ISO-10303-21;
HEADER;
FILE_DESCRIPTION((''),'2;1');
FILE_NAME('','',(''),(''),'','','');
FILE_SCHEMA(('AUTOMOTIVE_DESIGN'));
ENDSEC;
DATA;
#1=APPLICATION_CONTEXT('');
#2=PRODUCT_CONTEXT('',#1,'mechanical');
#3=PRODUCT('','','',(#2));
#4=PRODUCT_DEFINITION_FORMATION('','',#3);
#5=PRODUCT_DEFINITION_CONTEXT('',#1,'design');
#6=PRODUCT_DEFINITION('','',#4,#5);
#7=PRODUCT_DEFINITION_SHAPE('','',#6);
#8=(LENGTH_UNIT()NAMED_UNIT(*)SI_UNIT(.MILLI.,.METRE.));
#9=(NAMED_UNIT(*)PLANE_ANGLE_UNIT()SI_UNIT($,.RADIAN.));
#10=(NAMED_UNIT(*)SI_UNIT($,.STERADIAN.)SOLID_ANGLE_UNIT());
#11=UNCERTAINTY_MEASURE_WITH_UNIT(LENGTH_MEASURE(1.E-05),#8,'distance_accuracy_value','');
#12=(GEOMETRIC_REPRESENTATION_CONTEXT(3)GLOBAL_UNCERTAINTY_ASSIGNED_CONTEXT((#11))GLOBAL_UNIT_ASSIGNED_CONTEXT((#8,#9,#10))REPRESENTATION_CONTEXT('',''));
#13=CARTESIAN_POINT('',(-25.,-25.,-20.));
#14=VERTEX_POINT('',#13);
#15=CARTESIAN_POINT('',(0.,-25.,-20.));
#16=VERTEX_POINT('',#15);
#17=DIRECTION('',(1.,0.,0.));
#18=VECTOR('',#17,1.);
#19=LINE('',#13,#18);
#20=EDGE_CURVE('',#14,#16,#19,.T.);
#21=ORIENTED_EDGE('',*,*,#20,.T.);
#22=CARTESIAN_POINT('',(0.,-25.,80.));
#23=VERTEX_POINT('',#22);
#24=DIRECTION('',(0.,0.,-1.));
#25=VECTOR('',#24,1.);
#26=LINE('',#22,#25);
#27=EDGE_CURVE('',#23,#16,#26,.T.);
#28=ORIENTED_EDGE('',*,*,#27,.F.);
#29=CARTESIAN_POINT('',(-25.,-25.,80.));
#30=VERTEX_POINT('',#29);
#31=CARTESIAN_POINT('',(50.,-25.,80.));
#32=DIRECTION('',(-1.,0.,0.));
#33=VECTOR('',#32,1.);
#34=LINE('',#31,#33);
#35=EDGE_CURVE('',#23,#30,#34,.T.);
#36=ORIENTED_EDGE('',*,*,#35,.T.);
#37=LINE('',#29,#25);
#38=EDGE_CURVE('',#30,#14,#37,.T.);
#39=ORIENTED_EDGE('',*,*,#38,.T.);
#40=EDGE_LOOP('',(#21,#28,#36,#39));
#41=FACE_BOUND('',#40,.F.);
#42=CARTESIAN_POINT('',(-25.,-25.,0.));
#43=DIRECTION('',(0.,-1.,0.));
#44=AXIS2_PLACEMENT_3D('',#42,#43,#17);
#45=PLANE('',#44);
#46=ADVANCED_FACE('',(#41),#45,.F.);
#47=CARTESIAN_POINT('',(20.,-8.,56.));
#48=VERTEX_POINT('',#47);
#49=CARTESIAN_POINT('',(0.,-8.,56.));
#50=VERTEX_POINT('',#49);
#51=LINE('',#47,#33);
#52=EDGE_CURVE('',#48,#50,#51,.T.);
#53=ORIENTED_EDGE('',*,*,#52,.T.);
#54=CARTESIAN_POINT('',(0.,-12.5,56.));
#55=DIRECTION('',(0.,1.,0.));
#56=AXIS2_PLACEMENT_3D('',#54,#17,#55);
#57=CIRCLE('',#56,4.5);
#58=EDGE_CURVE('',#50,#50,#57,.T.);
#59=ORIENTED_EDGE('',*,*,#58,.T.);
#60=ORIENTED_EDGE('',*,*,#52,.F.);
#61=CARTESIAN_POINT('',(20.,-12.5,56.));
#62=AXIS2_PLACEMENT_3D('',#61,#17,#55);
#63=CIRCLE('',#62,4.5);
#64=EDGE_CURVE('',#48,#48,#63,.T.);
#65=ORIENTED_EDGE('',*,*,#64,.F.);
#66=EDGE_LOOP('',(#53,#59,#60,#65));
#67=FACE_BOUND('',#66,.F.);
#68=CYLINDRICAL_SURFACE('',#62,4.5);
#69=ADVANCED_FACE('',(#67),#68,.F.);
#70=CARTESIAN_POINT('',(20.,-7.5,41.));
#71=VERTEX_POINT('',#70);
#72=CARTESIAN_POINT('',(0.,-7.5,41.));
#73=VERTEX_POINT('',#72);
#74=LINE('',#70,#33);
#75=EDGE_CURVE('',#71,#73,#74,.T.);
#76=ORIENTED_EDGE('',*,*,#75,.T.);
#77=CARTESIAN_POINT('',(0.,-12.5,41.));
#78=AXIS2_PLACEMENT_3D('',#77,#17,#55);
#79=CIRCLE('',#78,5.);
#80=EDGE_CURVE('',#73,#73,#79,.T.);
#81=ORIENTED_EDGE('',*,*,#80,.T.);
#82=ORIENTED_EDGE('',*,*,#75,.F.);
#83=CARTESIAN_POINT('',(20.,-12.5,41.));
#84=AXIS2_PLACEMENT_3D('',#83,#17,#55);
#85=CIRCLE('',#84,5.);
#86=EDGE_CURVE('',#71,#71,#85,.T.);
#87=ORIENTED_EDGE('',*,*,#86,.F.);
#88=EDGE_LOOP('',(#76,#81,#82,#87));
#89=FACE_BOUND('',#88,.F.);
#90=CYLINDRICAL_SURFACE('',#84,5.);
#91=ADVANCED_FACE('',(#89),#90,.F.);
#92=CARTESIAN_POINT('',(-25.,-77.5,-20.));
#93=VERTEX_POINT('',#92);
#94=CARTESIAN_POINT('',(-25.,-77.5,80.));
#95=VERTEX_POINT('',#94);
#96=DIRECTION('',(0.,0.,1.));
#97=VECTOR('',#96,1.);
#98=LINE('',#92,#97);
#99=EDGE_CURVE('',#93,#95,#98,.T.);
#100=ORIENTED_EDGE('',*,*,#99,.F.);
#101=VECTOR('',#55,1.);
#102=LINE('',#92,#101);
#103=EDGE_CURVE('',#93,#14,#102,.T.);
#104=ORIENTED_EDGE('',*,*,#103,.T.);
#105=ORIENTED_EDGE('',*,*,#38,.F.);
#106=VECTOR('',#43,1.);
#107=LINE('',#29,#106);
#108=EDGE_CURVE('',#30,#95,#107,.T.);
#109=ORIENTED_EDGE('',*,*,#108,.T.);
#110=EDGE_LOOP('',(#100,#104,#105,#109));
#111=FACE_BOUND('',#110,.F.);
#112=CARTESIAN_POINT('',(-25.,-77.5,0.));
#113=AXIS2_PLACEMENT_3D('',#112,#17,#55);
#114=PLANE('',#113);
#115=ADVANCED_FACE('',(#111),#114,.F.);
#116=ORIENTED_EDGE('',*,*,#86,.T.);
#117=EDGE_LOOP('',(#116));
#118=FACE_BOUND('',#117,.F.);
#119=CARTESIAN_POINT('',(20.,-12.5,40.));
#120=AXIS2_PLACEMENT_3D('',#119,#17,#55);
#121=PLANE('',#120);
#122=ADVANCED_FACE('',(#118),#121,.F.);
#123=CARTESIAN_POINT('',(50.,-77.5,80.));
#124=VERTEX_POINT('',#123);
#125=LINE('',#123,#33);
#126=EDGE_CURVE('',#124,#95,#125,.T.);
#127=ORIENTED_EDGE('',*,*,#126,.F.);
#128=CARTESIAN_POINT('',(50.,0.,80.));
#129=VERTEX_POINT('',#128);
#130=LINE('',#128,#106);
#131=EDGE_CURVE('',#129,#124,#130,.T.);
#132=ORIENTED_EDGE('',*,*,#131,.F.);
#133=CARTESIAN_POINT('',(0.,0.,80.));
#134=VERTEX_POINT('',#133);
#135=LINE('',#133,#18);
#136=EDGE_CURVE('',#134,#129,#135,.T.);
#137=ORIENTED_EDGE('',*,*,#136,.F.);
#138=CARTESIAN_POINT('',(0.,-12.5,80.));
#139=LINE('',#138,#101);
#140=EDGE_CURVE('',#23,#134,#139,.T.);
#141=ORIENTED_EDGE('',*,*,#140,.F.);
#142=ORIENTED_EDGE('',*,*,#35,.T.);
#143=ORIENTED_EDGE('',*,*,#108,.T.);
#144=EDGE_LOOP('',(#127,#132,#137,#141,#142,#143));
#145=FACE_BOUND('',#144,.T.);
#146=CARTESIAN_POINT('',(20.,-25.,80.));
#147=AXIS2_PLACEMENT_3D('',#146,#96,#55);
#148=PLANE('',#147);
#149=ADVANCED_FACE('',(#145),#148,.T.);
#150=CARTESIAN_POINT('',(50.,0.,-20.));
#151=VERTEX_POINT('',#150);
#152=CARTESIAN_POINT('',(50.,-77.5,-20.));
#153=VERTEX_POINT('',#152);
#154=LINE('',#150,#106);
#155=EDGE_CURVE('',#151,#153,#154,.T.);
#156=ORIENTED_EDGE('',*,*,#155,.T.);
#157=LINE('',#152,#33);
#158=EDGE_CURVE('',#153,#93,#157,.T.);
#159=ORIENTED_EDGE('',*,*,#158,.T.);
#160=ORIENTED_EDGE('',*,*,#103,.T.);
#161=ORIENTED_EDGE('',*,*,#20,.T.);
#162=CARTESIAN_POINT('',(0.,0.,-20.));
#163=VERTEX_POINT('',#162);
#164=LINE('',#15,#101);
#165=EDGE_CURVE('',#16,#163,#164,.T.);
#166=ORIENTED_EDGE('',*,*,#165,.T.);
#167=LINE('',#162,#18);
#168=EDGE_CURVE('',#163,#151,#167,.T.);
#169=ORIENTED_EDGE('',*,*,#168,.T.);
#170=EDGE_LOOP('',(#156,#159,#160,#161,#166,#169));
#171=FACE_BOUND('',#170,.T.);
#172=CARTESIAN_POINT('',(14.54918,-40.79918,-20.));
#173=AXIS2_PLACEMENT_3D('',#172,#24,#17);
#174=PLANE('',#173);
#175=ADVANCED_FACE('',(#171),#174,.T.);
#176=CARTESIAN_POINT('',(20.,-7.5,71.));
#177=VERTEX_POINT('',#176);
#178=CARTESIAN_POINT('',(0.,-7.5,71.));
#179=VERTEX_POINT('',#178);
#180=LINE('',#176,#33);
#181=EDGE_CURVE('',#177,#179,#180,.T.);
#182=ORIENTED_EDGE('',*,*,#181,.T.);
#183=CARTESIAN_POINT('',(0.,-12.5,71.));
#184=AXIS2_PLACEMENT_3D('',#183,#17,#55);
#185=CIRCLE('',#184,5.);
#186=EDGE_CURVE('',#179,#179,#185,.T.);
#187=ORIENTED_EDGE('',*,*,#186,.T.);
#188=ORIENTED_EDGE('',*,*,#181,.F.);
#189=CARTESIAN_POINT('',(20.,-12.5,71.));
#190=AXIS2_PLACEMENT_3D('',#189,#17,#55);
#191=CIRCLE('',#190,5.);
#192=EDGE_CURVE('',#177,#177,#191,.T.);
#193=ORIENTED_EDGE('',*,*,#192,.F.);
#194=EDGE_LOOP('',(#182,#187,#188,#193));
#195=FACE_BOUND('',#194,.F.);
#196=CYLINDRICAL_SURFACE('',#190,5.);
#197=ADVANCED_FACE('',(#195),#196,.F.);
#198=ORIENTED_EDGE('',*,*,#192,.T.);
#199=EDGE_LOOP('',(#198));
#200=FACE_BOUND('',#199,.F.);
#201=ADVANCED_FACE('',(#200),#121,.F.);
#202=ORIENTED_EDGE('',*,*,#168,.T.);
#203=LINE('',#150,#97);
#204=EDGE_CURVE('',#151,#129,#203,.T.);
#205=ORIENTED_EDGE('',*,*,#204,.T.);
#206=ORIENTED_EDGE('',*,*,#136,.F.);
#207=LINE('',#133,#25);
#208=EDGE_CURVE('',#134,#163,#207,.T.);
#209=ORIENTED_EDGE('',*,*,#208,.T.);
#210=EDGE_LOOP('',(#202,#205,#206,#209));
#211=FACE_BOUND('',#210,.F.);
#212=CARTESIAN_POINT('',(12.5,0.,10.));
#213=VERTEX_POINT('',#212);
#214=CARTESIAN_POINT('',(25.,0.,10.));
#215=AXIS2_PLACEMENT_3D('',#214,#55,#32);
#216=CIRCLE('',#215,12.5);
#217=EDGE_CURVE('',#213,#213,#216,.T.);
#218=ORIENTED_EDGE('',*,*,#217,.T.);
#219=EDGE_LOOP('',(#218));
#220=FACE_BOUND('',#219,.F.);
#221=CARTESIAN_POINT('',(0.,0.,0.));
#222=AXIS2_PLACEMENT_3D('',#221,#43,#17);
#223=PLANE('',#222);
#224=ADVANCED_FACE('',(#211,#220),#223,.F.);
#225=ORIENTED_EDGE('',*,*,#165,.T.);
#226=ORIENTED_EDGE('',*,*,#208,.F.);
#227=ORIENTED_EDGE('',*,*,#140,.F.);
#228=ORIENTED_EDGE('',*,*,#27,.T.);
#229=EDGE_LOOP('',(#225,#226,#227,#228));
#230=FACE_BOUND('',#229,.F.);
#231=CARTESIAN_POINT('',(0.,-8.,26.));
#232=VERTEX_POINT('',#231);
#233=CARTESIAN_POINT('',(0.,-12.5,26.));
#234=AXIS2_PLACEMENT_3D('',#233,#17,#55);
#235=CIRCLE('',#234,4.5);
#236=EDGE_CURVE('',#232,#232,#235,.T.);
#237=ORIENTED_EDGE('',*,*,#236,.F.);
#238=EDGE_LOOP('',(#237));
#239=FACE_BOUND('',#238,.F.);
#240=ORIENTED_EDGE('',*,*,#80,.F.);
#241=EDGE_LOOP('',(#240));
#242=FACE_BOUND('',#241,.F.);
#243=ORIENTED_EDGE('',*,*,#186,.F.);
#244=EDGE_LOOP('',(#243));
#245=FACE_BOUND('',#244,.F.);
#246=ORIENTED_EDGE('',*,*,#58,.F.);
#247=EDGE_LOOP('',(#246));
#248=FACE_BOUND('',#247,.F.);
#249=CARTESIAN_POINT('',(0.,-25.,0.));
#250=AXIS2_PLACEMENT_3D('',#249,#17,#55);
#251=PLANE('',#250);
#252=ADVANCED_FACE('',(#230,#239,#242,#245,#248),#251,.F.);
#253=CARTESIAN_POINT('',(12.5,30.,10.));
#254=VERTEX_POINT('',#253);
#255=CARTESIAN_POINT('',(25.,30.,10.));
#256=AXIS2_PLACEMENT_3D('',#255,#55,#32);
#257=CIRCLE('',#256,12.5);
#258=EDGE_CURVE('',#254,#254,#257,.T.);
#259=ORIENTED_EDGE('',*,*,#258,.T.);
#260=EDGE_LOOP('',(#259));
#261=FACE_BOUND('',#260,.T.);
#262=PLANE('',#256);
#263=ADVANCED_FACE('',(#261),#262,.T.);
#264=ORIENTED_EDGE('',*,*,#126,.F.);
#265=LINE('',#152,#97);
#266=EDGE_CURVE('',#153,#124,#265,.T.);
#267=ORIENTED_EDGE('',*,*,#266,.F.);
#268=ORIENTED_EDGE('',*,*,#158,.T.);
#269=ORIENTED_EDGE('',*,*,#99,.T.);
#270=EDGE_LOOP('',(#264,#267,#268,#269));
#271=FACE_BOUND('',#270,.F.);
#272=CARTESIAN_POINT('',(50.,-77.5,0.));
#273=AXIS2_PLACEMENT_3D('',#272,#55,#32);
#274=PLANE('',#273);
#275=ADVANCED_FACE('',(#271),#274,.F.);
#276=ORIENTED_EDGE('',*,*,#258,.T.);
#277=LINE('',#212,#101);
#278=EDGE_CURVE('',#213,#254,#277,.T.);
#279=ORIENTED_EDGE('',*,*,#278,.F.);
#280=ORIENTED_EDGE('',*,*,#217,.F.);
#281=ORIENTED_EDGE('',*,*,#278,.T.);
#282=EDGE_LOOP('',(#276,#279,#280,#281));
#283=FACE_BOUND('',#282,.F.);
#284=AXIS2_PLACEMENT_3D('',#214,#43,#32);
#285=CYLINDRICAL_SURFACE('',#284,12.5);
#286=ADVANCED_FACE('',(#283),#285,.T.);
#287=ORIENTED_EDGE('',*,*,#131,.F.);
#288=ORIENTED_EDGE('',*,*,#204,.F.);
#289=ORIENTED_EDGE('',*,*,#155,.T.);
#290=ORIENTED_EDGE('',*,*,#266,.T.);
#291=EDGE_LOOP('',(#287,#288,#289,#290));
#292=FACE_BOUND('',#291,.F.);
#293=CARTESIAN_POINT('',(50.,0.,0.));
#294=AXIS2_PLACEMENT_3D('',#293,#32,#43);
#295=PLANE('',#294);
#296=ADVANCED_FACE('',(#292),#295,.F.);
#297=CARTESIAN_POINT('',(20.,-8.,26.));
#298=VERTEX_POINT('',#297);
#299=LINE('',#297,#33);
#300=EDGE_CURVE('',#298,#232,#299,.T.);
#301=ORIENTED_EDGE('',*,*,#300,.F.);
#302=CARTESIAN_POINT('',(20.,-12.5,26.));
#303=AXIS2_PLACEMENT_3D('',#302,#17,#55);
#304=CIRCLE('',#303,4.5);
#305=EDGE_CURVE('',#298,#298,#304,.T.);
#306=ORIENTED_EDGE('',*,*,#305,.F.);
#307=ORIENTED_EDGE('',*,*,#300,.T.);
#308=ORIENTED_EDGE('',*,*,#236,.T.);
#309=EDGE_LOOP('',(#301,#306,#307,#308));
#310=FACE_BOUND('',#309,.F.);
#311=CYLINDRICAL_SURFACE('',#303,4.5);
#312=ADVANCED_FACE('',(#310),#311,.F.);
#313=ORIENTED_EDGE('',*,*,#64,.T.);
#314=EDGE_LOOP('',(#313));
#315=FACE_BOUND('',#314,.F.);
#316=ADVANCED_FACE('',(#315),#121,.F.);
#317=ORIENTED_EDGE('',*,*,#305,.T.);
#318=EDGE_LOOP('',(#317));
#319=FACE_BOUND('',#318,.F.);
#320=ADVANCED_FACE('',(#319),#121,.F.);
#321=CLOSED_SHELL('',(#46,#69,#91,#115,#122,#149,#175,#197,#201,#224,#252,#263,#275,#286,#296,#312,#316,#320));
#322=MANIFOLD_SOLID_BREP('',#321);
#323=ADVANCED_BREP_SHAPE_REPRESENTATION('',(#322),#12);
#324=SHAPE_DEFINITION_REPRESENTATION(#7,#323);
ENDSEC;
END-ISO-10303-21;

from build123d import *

# Parameters (mm, degrees)
F0_W      = 20
F0_H      = 25
F1_DEPTH  = 80
F2_R      = 5
F2_R_2    = 4.5
F3_DEPTH  = 25
F5_DEPTH  = 52.5
F6_W      = 25
F6_H      = 80
F7_DEPTH  = 30
F9_DEPTH  = 20
F10_R     = 12.5
F11_DEPTH = 30


with BuildPart() as f1:
    # F0 (on Top) → F1 (new body)
    with BuildSketch(Plane.XY):
        with Locations((10, -12.5)):
            Rectangle(F0_W, F0_H)
    extrude(amount=F1_DEPTH)

    # F2 (on face) → F3 (cut)
    with BuildSketch(Plane.YZ.offset(20)):
        with Locations((-12.5, 71)):
            Circle(F2_R)
        with Locations((-12.5, 56)):
            Circle(F2_R_2)
        with Locations((-12.5, 41)):
            Circle(F2_R)
        with Locations((-12.5, 26)):
            Circle(F2_R_2)
    extrude(amount=-F3_DEPTH, mode=Mode.SUBTRACT)

    # F4 (on face) → F5 (join)
    with BuildSketch(Plane.XZ.offset(25)):
        Polygon((-25, 0), (0, 0), (50, 0), (50, 80), (-25, 80), align=None)
    extrude(amount=F5_DEPTH)

    # F6 (on face) → F7 (join)
    with BuildSketch(Plane.YZ.offset(20)):
        with Locations((-12.5, 40)):
            Rectangle(F6_W, F6_H)
    extrude(amount=F7_DEPTH)

    # F8 (on face) → F9 (join)
    with BuildSketch(Plane(origin=(0, 0, 0), x_dir=(1, 0, 0), z_dir=(0, 0, -1))):
        Polygon((-25, 77.5), (-25, 25), (0, 25), (0, 0), (50, 0), (50, 77.5), align=None)
    extrude(amount=F9_DEPTH)

    # F10 (on face) → F11 (join)
    with BuildSketch(Plane(origin=(0, 0, 0), x_dir=(-1, 0, 0), z_dir=(0, 1, 0))):
        with Locations((-25, 10)):
            Circle(F10_R)
    extrude(amount=F11_DEPTH)


solid = f1.part
